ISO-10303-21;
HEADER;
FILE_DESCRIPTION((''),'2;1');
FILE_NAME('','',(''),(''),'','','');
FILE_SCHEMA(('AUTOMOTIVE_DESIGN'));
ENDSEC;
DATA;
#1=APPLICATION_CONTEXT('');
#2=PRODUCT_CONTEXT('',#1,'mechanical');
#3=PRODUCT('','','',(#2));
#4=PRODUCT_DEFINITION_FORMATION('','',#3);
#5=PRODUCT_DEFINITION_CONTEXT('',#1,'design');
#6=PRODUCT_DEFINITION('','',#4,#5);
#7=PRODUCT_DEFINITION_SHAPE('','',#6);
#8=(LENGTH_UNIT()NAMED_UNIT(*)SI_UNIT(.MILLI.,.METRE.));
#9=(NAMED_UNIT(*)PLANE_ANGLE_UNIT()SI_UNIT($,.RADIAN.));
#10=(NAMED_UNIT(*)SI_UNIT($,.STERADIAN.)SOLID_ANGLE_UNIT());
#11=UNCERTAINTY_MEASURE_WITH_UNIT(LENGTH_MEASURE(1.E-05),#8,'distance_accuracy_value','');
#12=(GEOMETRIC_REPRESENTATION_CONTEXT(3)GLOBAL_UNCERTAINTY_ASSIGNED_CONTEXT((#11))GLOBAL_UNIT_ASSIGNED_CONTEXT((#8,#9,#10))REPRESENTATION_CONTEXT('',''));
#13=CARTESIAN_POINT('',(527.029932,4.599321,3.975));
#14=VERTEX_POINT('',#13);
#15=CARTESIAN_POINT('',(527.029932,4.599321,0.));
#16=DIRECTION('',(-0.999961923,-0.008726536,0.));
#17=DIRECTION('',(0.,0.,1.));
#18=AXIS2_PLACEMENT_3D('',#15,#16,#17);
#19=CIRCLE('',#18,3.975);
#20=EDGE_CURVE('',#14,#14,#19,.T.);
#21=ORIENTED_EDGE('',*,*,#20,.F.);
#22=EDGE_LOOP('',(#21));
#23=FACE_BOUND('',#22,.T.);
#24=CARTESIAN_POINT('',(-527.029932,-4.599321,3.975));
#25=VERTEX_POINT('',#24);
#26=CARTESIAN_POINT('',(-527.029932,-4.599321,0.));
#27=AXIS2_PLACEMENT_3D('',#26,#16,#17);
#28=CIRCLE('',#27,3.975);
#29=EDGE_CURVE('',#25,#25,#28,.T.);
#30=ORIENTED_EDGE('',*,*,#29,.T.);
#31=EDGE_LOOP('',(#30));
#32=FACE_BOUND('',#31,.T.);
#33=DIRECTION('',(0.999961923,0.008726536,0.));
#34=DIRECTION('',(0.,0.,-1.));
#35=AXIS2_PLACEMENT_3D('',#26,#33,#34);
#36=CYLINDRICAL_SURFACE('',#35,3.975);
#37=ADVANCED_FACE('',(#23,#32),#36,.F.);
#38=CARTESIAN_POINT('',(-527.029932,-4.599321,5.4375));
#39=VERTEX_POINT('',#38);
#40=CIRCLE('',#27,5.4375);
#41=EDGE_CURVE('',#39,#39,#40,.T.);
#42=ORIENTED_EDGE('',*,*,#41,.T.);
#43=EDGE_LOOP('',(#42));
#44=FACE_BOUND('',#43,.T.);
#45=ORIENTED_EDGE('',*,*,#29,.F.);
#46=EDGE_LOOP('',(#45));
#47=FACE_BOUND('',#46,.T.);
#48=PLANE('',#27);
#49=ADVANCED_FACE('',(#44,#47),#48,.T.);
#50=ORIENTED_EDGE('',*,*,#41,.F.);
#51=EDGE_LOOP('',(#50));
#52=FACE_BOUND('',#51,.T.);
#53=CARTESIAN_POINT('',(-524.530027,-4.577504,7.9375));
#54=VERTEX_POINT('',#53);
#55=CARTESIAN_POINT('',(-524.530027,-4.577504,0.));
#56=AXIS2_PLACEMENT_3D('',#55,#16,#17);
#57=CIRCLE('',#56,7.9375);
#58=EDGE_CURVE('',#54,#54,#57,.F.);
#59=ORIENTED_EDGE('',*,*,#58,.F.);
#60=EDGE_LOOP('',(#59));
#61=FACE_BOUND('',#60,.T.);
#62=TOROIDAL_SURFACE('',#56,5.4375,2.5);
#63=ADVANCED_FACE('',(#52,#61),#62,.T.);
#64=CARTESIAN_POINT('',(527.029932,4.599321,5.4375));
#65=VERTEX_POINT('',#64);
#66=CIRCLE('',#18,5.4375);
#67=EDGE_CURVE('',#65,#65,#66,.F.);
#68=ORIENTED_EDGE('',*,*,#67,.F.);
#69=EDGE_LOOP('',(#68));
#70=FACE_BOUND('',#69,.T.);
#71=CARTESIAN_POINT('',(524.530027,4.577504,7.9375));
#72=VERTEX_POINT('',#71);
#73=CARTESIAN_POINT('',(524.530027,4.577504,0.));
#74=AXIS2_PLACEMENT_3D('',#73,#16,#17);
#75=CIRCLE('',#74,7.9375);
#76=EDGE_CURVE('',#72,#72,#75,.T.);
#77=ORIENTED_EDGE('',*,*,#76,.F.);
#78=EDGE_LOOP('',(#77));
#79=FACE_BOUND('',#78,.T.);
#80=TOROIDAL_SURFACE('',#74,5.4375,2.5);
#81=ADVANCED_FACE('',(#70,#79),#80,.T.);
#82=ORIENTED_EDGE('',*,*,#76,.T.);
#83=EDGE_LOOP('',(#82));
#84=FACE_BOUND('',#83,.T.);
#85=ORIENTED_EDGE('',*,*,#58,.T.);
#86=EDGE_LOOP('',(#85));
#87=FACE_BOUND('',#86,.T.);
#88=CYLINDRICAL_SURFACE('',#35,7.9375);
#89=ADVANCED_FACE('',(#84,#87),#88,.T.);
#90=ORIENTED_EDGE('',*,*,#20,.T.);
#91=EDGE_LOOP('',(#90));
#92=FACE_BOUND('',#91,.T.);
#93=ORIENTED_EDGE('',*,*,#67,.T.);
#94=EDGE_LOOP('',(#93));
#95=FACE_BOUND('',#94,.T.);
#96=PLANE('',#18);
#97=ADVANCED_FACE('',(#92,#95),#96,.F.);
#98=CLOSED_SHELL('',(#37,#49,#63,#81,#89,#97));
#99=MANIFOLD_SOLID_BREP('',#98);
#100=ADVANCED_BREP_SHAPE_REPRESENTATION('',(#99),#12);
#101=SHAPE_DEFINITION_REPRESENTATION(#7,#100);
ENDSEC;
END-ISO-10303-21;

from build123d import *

# Parameters (mm, degrees)
SKETCH_1_R        = 7.9375
SKETCH_1_R_2      = 3.975
EXTRUDE_1_DEPTH   = 527.05
FILLET_1_R        = 2.5
MOVE_BODY_1_ANGLE = 90.5


with BuildPart() as part:
    # 스케치1 → 보스-돌출1 (new body, symmetric)
    with BuildSketch(Plane(origin=(0, 0, 0), x_dir=(1, 0, 0), z_dir=(0, 1, 0))):
        Circle(SKETCH_1_R)
        Circle(SKETCH_1_R_2, mode=Mode.SUBTRACT)
    extrude(amount=EXTRUDE_1_DEPTH, both=True)

    # 필렛1
    fillet_1_edges = [part.edges().sort_by_distance(p)[0] for p in [
        (-7.9375, -527.05, 0),
        (-7.9375, 527.05, 0),
    ]]
    fillet(fillet_1_edges, radius=FILLET_1_R)


with BuildPart() as part_1:
    # Move Body 1: moved
    add(part.part.rotate(Axis((0, 0, 0), (0, 0, 1)), MOVE_BODY_1_ANGLE))


solid = part_1.part
